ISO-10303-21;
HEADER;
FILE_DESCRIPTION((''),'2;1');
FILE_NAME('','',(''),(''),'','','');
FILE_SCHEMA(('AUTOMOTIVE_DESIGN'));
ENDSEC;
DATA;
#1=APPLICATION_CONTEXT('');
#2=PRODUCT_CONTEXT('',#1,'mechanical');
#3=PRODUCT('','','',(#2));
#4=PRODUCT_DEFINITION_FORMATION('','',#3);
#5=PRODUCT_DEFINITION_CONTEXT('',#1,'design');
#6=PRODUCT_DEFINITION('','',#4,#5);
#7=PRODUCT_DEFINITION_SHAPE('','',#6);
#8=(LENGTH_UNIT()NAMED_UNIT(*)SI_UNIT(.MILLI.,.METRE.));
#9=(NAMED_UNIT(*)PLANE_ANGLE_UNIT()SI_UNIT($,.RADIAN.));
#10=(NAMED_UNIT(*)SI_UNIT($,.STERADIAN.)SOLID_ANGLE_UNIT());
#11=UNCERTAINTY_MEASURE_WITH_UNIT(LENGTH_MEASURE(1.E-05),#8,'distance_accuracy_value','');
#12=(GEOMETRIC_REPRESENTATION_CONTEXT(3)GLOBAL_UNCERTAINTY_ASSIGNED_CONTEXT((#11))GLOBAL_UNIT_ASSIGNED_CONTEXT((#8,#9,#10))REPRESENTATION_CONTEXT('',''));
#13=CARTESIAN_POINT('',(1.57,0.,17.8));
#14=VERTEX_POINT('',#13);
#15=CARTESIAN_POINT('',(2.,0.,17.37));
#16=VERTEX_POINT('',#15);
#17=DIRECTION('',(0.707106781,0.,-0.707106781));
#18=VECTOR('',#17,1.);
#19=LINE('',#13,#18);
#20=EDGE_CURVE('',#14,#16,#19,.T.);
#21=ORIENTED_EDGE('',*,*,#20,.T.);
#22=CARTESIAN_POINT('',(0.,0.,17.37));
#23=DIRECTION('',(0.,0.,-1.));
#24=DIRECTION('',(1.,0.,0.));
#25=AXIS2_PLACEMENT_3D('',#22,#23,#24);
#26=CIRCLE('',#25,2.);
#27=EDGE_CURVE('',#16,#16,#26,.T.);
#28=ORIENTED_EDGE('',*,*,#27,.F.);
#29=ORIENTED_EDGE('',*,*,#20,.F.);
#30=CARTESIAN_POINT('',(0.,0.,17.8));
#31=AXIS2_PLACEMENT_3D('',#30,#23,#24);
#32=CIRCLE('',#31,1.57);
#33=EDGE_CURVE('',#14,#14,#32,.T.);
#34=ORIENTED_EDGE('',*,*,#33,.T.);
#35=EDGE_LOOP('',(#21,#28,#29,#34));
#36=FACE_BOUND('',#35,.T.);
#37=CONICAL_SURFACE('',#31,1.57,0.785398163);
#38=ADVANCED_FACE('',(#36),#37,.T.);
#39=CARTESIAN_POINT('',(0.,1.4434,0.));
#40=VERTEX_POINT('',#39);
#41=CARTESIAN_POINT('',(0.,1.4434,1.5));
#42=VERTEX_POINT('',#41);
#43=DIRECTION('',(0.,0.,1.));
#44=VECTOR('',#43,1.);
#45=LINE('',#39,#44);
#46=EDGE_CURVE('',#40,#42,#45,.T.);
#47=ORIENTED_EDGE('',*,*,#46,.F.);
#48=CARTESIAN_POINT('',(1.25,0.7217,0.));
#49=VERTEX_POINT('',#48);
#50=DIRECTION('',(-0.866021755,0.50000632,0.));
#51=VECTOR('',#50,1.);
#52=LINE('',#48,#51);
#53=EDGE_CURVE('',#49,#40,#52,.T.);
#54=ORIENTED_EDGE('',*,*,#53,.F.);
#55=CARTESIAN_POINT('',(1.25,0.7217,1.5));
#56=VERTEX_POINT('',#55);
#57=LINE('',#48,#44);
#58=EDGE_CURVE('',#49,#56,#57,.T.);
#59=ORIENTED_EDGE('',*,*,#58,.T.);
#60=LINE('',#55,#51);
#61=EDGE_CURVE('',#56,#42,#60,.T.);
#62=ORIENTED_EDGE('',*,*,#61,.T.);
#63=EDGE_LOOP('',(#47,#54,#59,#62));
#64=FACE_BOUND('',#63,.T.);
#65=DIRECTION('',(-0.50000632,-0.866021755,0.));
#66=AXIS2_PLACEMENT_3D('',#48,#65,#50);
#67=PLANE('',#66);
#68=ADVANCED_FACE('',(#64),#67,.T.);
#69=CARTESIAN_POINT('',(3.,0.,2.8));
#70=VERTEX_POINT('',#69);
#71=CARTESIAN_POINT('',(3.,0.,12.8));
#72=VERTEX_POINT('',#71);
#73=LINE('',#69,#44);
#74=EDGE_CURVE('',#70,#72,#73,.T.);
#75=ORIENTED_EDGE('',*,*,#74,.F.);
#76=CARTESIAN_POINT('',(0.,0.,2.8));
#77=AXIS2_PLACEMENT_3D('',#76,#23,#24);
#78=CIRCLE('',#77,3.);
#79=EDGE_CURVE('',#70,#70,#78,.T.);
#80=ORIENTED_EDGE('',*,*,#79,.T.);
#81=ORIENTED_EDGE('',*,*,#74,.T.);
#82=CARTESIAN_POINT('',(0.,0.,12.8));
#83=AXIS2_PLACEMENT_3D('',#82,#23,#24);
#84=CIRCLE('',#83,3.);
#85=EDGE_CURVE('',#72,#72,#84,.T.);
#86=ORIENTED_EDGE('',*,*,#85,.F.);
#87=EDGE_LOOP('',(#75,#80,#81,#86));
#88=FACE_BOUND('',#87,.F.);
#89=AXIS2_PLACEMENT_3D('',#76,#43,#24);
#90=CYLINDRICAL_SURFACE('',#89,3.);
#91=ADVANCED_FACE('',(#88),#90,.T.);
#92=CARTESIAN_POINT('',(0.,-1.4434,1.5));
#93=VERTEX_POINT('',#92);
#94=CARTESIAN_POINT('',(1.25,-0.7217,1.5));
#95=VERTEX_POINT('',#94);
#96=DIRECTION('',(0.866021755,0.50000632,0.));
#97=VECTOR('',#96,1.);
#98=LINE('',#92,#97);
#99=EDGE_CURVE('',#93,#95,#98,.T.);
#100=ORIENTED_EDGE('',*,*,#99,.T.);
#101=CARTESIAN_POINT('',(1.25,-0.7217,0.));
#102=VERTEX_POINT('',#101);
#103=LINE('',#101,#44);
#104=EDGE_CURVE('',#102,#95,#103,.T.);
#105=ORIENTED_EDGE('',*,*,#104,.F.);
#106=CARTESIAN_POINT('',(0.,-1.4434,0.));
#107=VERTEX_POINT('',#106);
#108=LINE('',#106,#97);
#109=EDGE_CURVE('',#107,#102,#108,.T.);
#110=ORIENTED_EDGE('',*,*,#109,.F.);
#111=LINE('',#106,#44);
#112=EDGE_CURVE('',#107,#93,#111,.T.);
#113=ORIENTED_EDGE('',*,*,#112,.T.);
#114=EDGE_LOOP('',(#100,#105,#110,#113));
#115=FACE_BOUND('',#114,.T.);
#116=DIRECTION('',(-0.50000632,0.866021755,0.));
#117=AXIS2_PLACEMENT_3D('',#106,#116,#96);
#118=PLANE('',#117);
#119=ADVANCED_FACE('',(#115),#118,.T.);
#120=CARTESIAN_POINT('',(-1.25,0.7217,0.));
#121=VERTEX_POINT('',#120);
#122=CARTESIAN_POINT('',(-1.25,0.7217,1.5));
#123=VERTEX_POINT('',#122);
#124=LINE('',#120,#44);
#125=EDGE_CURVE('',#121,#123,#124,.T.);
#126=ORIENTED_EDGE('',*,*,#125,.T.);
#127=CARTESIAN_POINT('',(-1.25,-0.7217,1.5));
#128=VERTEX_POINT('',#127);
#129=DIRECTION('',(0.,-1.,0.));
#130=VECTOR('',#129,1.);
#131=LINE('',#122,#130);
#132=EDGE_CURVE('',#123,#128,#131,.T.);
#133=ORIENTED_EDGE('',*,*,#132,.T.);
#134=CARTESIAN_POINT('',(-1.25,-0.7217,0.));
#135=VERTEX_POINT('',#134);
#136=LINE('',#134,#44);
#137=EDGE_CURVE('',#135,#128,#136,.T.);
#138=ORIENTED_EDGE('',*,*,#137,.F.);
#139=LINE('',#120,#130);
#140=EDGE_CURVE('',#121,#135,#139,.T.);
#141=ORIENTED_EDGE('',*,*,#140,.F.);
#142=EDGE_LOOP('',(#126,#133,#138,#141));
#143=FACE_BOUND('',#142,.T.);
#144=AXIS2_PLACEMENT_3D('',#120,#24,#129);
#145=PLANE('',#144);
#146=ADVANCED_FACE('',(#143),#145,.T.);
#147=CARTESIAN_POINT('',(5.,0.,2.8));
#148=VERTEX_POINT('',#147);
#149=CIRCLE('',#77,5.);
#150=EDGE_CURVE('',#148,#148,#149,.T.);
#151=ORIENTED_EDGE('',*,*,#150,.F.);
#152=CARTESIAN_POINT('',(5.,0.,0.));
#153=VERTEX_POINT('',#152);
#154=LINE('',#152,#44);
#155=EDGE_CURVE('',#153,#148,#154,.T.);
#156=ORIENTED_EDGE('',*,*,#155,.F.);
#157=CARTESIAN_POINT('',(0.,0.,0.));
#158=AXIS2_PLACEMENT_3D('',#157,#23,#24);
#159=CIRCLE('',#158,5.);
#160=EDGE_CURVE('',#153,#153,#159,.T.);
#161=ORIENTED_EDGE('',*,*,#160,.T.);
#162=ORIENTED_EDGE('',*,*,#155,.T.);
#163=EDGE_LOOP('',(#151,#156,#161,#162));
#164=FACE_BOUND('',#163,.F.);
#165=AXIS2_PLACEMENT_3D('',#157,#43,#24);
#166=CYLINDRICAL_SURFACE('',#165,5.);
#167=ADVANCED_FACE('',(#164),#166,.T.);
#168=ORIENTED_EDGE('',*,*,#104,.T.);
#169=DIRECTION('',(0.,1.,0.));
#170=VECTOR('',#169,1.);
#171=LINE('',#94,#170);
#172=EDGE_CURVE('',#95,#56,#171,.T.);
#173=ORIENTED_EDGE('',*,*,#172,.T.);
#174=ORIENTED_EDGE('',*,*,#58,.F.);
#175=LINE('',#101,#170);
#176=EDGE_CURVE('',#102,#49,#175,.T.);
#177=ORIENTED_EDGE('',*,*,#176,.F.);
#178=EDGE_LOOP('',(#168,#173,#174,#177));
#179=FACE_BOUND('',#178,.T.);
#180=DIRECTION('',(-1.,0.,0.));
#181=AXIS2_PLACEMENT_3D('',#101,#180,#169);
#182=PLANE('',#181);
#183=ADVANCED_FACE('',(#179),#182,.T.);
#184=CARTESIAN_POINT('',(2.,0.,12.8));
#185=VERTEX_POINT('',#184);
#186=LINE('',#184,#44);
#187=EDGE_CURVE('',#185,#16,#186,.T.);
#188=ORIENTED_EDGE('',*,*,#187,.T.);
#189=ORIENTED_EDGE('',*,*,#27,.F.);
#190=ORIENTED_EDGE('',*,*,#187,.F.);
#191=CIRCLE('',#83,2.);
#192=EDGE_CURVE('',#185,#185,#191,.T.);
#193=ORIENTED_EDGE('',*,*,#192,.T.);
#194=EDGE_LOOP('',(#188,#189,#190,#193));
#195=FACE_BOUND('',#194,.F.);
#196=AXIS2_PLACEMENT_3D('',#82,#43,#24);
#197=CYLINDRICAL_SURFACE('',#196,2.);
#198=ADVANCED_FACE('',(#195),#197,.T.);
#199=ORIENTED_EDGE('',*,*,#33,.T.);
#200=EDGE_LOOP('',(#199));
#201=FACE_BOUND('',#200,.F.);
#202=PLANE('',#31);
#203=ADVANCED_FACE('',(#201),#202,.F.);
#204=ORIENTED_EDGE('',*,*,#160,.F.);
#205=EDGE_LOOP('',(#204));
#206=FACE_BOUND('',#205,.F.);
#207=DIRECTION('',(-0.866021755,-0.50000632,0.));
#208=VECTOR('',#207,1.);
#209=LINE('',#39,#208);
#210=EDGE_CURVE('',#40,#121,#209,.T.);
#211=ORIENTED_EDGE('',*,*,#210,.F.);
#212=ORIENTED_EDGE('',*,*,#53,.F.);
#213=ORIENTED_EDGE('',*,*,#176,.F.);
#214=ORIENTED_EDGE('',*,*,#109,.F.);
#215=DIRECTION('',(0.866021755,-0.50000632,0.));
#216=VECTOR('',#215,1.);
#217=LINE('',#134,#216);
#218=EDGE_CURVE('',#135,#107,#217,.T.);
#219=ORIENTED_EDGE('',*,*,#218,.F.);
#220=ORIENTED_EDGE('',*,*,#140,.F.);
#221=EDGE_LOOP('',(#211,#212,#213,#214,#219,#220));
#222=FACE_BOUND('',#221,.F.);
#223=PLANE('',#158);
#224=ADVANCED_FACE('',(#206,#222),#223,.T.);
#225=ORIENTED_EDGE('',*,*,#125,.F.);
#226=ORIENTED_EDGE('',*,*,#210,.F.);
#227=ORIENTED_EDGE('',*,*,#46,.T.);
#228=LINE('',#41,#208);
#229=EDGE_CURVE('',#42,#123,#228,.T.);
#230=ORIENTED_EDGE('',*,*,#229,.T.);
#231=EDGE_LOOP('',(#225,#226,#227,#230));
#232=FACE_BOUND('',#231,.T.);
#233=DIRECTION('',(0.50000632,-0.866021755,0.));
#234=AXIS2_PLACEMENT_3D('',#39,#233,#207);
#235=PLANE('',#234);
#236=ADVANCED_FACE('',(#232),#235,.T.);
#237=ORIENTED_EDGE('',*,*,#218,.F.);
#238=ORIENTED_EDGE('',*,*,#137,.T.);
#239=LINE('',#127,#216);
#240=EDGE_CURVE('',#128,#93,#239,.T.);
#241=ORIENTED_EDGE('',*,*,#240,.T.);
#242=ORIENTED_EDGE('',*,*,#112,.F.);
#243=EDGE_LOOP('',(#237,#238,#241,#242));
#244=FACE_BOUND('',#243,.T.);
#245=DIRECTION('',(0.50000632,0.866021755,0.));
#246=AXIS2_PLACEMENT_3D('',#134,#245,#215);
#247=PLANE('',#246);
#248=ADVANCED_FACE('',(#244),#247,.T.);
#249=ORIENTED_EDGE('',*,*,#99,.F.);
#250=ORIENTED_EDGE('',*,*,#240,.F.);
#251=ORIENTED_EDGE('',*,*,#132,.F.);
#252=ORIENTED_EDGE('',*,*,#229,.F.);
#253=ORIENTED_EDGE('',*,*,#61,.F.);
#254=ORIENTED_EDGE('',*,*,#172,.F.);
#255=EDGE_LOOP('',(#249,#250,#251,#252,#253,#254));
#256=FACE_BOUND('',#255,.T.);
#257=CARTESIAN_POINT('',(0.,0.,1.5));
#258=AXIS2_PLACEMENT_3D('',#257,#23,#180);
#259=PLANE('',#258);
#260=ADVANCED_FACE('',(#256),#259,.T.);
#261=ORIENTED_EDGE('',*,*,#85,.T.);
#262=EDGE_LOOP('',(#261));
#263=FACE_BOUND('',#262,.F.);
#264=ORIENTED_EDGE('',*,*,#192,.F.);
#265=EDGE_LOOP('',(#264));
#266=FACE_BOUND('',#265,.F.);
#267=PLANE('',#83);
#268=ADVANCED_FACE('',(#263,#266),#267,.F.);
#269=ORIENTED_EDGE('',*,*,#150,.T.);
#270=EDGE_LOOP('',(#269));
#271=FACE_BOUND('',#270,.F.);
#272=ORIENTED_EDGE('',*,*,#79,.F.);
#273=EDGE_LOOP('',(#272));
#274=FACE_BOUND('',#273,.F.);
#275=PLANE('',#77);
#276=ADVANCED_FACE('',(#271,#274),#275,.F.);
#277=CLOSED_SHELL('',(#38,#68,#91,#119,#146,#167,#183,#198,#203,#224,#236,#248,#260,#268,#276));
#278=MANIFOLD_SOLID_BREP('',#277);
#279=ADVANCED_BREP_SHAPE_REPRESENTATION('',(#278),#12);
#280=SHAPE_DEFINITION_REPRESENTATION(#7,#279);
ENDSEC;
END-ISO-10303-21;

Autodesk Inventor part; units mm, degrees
ref_plane "YZ Plane" through (0, 0, 0) normal (1, 0, 0) x (0, 1, 0)
ref_plane "XZ Plane" through (0, 0, 0) normal (0, 1, 0) x (-1, 0, 0)
ref_plane "XY Plane" through (0, 0, 0) normal (0, 0, 1) x (1, 0, 0)
sketch "スケッチ1" plane through (0, 0, 0) normal (0, 1, 0) x (-1, 0, 0)
  line L0 (0, 0) -> (-5, 0)
  line L1 (-5, 0) -> (-5, 2.8)
  line L2 (-5, 2.8) -> (-3, 2.8)
  line L3 (-3, 2.8) -> (-3, 12.8)
  line L4 (-3, 12.8) -> (-2, 12.8)
  line L5 (-2, 12.8) -> (-2, 17.37)
  line L6 (-1.57, 17.8) -> (0, 17.8)
  line L7 (0, 17.8) -> (0, 0)
  line L8 (-1.57, 17.8) -> (-2, 17.37)
  point P0 (-2, 17.8)
  dimension "d0" = 5
  dimension "d1" = 10
  dimension "d2" = 2.8
  dimension "d3" = 0.43
  dimension "d4" = 0.43
  dimension "d5" = 4
  dimension "d6" = 10
  dimension "d7" = 6
revolve "回転1" add sketch "スケッチ1" angle 360 about axis through (0, 0, 17.8) along (0, 0, -1)
thread "ねじ1" size "M4x0.7" class "6g" standard "ANSI Metric M Profile" length 7.57 offset 1.2
sketch "スケッチ2" plane through (0, 0, 0) normal (0, 0, -1) x (-1, 0, 0)
  line L0 (0, -1.4434) -> (-1.25, -0.7217)
  line L1 (-1.25, -0.7217) -> (-1.25, 0.7217)
  line L2 (-1.25, 0.7217) -> (0, 1.4434)
  line L3 (0, 1.4434) -> (1.25, 0.7217)
  line L4 (1.25, 0.7217) -> (1.25, -0.7217)
  line L5 (1.25, -0.7217) -> (0, -1.4434)
  point P0 (0, 0)
  point P1 (0, 0)
  dimension "d11" = 2.5
extrude "押し出し1" cut sketch "スケッチ2" against normal blind 1.5
equation "\"d4\" = d3"
properties part number "DBTS4-10-5-DHC" material "ステンレス鋼 AISI 304"
